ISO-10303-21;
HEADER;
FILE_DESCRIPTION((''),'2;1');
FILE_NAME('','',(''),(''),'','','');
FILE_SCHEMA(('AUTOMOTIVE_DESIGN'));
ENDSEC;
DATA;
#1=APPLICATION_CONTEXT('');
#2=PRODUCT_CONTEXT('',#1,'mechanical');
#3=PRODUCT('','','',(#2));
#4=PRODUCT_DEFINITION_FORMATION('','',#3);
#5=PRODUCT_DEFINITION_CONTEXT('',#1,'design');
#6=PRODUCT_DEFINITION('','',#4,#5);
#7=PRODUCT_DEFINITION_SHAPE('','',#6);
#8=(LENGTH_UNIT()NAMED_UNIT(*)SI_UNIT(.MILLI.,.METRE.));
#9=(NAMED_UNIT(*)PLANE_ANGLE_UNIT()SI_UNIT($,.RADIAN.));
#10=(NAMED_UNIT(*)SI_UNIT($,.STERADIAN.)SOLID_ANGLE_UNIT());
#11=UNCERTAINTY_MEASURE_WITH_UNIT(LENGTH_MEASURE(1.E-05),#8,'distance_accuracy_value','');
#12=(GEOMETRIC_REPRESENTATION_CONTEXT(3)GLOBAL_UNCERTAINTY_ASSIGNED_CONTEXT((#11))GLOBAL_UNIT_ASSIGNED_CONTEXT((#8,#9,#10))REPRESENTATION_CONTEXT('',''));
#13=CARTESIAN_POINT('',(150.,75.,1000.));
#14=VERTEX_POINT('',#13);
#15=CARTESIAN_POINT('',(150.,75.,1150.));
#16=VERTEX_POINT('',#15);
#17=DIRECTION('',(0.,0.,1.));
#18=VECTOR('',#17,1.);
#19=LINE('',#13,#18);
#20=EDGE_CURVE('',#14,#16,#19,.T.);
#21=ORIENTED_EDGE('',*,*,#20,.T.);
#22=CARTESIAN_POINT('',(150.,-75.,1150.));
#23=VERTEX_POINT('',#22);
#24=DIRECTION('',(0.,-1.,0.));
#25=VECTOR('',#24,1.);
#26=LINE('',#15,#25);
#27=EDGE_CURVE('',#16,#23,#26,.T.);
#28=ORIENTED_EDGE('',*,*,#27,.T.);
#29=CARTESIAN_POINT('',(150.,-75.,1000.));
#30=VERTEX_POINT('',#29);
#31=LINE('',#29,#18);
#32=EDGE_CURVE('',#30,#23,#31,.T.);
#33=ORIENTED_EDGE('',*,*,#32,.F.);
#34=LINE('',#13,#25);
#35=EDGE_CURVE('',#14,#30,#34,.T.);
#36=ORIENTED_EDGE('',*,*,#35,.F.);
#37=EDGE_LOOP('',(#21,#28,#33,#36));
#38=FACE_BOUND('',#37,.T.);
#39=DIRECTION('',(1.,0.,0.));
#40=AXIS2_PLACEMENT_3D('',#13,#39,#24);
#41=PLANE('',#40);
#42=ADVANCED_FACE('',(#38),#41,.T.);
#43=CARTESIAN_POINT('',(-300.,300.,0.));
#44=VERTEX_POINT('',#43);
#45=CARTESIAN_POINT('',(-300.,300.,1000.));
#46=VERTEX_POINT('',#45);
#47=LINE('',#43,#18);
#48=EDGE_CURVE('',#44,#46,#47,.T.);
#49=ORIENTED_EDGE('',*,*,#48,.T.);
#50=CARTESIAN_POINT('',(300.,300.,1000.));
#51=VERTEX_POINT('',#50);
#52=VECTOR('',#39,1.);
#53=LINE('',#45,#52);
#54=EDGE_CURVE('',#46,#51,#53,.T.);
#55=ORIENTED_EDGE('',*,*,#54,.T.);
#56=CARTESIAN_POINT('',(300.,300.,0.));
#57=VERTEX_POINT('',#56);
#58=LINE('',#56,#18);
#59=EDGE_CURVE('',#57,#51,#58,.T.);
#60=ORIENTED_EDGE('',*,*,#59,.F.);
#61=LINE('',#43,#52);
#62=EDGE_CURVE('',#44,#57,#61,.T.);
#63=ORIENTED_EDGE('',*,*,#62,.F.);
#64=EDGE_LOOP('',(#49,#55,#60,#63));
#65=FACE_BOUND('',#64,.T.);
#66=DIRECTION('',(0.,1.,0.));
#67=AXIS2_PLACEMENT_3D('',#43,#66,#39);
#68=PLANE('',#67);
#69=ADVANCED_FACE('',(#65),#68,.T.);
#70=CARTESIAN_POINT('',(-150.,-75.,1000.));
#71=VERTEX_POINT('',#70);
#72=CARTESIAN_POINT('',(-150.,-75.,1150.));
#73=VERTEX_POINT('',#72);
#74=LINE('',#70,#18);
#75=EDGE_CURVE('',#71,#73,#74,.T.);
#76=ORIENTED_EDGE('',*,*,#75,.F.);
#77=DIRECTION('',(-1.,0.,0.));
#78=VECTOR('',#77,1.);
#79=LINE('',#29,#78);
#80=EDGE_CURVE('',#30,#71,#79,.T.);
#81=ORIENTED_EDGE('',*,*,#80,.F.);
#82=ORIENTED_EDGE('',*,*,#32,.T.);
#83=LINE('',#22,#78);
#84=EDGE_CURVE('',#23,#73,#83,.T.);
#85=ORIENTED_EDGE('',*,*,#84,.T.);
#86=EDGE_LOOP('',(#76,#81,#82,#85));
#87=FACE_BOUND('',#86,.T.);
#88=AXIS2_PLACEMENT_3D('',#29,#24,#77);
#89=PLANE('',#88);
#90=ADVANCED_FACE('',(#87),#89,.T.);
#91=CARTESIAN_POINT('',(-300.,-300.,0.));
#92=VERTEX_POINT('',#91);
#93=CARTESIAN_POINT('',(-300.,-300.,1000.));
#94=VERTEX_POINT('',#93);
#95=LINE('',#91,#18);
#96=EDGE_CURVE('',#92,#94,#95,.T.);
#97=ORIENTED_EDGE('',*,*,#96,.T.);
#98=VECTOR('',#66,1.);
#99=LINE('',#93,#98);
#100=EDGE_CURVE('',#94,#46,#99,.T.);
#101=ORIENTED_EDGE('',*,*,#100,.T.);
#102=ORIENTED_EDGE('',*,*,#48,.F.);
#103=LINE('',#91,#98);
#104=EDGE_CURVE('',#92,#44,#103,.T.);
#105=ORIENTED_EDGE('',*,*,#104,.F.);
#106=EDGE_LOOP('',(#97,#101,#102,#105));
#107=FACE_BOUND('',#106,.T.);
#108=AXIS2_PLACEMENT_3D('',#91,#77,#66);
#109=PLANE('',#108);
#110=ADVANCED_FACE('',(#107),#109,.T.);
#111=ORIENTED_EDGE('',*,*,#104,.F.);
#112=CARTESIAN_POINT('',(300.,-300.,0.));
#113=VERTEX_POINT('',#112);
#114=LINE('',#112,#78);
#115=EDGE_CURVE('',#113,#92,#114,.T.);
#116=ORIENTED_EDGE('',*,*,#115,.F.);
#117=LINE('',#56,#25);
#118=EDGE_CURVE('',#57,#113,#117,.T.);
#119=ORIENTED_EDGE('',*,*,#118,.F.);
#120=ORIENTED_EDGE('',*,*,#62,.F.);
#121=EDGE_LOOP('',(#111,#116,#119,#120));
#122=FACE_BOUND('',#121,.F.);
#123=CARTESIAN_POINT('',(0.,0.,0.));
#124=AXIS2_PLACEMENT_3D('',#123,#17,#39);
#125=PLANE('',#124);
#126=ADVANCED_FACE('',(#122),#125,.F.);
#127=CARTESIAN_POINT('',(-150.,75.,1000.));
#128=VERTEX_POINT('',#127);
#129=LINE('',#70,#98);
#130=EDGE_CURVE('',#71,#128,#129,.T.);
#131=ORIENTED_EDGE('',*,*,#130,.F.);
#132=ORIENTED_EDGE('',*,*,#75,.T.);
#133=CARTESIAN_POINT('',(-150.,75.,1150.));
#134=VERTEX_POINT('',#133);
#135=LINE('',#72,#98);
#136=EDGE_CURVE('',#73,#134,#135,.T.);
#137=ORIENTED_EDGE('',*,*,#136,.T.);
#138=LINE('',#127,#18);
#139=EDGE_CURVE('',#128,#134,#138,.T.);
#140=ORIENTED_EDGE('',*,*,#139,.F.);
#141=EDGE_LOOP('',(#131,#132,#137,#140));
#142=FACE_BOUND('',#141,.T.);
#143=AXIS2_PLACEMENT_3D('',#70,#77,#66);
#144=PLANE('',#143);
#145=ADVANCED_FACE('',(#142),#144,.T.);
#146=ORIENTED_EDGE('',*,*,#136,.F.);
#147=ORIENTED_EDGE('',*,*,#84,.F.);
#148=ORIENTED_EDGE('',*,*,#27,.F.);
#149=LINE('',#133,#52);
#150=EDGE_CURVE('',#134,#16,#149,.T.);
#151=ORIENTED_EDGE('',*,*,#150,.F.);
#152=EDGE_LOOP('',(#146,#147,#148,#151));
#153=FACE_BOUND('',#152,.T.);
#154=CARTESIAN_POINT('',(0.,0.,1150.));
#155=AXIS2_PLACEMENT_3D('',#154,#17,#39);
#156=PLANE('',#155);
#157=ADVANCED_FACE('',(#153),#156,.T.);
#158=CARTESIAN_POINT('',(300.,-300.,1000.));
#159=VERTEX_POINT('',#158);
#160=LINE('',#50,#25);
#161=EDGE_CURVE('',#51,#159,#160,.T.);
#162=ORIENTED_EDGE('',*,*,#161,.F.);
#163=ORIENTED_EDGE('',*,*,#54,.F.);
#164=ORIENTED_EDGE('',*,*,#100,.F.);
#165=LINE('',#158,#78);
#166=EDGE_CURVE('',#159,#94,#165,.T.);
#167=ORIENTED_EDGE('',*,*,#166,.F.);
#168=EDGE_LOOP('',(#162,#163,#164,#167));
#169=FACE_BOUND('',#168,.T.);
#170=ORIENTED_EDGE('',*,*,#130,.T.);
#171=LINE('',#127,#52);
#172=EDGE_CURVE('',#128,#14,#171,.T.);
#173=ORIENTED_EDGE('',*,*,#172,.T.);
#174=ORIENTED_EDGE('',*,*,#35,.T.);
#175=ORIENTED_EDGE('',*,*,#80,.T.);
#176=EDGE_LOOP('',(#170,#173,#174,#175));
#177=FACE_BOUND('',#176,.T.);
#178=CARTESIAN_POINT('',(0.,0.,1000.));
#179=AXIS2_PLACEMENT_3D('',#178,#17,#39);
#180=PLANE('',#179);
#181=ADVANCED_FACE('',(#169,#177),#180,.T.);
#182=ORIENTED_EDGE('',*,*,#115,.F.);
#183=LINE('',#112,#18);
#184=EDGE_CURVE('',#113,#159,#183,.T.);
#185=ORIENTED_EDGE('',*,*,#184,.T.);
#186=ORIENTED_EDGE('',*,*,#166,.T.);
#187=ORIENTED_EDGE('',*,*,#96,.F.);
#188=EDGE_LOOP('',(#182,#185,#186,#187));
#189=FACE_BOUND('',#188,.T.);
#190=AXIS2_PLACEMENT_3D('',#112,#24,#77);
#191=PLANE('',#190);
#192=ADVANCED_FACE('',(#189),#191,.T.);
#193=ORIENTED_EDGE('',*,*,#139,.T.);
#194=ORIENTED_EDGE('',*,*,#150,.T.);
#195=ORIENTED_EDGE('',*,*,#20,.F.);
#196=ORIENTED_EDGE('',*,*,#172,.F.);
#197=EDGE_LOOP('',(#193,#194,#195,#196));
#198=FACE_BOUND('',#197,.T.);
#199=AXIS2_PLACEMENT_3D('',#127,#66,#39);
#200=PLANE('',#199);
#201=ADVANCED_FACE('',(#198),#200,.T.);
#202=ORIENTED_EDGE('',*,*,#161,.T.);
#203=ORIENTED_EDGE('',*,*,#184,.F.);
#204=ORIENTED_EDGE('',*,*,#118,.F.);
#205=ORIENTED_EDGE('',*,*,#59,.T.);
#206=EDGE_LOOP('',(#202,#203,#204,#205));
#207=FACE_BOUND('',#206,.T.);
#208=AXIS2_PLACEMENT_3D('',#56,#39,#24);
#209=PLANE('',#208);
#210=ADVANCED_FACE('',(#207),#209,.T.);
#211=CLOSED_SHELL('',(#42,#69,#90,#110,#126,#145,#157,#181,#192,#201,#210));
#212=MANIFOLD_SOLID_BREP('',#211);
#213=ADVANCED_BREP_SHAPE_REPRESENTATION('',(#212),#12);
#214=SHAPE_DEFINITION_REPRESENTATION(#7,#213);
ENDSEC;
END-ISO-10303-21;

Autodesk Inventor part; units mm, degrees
ref_plane "YZ Plane" through (0, 0, 0) normal (1, 0, 0) x (0, 1, 0)
ref_plane "XZ Plane" through (0, 0, 0) normal (0, 1, 0) x (-1, 0, 0)
ref_plane "XY Plane" through (0, 0, 0) normal (0, 0, 1) x (1, 0, 0)
sketch "Sketch1" plane through (0, 0, 0) normal (0, 0, 1) x (1, 0, 0)
  line L0 (-300, 300) -> (300, 300)
  line L1 (300, 300) -> (300, -300)
  line L2 (300, -300) -> (-300, -300)
  line L3 (-300, -300) -> (-300, 300)
  line L4 (-300, -300) -> (300, 300) construction
  point P0 (0, 0)
  point P1 (0, 0)
  dimension "d0" = 600
  dimension "d1" = 600
extrude "Extrusion1" add sketch "Sketch1" along normal blind 1000
sketch "Sketch2" plane through (0, 0, 1000) normal (0, 0, 1) x (1, 0, 0)
  line L0 (-150, 75) -> (150, 75)
  line L1 (150, 75) -> (150, -75)
  line L2 (150, -75) -> (-150, -75)
  line L3 (-150, -75) -> (-150, 75)
  line L4 (-150, 75) -> (150, -75) construction
  line L5 (150, 75) -> (-150, -75) construction
  point P0 (0, 0)
  dimension "d4" = 300
  dimension "d5" = 150
extrude "Extrusion2" add sketch "Sketch2" along normal blind 150
equation "\"d0\" = Длина"
equation "\"d1\" = Ширина"
equation "\"d2\" = Высота"
equation "\"Длина\" = 600"
equation "\"Ширина\" = 600"
equation "\"Высота\" = 1000"
properties part number "Coagulant barrel"
